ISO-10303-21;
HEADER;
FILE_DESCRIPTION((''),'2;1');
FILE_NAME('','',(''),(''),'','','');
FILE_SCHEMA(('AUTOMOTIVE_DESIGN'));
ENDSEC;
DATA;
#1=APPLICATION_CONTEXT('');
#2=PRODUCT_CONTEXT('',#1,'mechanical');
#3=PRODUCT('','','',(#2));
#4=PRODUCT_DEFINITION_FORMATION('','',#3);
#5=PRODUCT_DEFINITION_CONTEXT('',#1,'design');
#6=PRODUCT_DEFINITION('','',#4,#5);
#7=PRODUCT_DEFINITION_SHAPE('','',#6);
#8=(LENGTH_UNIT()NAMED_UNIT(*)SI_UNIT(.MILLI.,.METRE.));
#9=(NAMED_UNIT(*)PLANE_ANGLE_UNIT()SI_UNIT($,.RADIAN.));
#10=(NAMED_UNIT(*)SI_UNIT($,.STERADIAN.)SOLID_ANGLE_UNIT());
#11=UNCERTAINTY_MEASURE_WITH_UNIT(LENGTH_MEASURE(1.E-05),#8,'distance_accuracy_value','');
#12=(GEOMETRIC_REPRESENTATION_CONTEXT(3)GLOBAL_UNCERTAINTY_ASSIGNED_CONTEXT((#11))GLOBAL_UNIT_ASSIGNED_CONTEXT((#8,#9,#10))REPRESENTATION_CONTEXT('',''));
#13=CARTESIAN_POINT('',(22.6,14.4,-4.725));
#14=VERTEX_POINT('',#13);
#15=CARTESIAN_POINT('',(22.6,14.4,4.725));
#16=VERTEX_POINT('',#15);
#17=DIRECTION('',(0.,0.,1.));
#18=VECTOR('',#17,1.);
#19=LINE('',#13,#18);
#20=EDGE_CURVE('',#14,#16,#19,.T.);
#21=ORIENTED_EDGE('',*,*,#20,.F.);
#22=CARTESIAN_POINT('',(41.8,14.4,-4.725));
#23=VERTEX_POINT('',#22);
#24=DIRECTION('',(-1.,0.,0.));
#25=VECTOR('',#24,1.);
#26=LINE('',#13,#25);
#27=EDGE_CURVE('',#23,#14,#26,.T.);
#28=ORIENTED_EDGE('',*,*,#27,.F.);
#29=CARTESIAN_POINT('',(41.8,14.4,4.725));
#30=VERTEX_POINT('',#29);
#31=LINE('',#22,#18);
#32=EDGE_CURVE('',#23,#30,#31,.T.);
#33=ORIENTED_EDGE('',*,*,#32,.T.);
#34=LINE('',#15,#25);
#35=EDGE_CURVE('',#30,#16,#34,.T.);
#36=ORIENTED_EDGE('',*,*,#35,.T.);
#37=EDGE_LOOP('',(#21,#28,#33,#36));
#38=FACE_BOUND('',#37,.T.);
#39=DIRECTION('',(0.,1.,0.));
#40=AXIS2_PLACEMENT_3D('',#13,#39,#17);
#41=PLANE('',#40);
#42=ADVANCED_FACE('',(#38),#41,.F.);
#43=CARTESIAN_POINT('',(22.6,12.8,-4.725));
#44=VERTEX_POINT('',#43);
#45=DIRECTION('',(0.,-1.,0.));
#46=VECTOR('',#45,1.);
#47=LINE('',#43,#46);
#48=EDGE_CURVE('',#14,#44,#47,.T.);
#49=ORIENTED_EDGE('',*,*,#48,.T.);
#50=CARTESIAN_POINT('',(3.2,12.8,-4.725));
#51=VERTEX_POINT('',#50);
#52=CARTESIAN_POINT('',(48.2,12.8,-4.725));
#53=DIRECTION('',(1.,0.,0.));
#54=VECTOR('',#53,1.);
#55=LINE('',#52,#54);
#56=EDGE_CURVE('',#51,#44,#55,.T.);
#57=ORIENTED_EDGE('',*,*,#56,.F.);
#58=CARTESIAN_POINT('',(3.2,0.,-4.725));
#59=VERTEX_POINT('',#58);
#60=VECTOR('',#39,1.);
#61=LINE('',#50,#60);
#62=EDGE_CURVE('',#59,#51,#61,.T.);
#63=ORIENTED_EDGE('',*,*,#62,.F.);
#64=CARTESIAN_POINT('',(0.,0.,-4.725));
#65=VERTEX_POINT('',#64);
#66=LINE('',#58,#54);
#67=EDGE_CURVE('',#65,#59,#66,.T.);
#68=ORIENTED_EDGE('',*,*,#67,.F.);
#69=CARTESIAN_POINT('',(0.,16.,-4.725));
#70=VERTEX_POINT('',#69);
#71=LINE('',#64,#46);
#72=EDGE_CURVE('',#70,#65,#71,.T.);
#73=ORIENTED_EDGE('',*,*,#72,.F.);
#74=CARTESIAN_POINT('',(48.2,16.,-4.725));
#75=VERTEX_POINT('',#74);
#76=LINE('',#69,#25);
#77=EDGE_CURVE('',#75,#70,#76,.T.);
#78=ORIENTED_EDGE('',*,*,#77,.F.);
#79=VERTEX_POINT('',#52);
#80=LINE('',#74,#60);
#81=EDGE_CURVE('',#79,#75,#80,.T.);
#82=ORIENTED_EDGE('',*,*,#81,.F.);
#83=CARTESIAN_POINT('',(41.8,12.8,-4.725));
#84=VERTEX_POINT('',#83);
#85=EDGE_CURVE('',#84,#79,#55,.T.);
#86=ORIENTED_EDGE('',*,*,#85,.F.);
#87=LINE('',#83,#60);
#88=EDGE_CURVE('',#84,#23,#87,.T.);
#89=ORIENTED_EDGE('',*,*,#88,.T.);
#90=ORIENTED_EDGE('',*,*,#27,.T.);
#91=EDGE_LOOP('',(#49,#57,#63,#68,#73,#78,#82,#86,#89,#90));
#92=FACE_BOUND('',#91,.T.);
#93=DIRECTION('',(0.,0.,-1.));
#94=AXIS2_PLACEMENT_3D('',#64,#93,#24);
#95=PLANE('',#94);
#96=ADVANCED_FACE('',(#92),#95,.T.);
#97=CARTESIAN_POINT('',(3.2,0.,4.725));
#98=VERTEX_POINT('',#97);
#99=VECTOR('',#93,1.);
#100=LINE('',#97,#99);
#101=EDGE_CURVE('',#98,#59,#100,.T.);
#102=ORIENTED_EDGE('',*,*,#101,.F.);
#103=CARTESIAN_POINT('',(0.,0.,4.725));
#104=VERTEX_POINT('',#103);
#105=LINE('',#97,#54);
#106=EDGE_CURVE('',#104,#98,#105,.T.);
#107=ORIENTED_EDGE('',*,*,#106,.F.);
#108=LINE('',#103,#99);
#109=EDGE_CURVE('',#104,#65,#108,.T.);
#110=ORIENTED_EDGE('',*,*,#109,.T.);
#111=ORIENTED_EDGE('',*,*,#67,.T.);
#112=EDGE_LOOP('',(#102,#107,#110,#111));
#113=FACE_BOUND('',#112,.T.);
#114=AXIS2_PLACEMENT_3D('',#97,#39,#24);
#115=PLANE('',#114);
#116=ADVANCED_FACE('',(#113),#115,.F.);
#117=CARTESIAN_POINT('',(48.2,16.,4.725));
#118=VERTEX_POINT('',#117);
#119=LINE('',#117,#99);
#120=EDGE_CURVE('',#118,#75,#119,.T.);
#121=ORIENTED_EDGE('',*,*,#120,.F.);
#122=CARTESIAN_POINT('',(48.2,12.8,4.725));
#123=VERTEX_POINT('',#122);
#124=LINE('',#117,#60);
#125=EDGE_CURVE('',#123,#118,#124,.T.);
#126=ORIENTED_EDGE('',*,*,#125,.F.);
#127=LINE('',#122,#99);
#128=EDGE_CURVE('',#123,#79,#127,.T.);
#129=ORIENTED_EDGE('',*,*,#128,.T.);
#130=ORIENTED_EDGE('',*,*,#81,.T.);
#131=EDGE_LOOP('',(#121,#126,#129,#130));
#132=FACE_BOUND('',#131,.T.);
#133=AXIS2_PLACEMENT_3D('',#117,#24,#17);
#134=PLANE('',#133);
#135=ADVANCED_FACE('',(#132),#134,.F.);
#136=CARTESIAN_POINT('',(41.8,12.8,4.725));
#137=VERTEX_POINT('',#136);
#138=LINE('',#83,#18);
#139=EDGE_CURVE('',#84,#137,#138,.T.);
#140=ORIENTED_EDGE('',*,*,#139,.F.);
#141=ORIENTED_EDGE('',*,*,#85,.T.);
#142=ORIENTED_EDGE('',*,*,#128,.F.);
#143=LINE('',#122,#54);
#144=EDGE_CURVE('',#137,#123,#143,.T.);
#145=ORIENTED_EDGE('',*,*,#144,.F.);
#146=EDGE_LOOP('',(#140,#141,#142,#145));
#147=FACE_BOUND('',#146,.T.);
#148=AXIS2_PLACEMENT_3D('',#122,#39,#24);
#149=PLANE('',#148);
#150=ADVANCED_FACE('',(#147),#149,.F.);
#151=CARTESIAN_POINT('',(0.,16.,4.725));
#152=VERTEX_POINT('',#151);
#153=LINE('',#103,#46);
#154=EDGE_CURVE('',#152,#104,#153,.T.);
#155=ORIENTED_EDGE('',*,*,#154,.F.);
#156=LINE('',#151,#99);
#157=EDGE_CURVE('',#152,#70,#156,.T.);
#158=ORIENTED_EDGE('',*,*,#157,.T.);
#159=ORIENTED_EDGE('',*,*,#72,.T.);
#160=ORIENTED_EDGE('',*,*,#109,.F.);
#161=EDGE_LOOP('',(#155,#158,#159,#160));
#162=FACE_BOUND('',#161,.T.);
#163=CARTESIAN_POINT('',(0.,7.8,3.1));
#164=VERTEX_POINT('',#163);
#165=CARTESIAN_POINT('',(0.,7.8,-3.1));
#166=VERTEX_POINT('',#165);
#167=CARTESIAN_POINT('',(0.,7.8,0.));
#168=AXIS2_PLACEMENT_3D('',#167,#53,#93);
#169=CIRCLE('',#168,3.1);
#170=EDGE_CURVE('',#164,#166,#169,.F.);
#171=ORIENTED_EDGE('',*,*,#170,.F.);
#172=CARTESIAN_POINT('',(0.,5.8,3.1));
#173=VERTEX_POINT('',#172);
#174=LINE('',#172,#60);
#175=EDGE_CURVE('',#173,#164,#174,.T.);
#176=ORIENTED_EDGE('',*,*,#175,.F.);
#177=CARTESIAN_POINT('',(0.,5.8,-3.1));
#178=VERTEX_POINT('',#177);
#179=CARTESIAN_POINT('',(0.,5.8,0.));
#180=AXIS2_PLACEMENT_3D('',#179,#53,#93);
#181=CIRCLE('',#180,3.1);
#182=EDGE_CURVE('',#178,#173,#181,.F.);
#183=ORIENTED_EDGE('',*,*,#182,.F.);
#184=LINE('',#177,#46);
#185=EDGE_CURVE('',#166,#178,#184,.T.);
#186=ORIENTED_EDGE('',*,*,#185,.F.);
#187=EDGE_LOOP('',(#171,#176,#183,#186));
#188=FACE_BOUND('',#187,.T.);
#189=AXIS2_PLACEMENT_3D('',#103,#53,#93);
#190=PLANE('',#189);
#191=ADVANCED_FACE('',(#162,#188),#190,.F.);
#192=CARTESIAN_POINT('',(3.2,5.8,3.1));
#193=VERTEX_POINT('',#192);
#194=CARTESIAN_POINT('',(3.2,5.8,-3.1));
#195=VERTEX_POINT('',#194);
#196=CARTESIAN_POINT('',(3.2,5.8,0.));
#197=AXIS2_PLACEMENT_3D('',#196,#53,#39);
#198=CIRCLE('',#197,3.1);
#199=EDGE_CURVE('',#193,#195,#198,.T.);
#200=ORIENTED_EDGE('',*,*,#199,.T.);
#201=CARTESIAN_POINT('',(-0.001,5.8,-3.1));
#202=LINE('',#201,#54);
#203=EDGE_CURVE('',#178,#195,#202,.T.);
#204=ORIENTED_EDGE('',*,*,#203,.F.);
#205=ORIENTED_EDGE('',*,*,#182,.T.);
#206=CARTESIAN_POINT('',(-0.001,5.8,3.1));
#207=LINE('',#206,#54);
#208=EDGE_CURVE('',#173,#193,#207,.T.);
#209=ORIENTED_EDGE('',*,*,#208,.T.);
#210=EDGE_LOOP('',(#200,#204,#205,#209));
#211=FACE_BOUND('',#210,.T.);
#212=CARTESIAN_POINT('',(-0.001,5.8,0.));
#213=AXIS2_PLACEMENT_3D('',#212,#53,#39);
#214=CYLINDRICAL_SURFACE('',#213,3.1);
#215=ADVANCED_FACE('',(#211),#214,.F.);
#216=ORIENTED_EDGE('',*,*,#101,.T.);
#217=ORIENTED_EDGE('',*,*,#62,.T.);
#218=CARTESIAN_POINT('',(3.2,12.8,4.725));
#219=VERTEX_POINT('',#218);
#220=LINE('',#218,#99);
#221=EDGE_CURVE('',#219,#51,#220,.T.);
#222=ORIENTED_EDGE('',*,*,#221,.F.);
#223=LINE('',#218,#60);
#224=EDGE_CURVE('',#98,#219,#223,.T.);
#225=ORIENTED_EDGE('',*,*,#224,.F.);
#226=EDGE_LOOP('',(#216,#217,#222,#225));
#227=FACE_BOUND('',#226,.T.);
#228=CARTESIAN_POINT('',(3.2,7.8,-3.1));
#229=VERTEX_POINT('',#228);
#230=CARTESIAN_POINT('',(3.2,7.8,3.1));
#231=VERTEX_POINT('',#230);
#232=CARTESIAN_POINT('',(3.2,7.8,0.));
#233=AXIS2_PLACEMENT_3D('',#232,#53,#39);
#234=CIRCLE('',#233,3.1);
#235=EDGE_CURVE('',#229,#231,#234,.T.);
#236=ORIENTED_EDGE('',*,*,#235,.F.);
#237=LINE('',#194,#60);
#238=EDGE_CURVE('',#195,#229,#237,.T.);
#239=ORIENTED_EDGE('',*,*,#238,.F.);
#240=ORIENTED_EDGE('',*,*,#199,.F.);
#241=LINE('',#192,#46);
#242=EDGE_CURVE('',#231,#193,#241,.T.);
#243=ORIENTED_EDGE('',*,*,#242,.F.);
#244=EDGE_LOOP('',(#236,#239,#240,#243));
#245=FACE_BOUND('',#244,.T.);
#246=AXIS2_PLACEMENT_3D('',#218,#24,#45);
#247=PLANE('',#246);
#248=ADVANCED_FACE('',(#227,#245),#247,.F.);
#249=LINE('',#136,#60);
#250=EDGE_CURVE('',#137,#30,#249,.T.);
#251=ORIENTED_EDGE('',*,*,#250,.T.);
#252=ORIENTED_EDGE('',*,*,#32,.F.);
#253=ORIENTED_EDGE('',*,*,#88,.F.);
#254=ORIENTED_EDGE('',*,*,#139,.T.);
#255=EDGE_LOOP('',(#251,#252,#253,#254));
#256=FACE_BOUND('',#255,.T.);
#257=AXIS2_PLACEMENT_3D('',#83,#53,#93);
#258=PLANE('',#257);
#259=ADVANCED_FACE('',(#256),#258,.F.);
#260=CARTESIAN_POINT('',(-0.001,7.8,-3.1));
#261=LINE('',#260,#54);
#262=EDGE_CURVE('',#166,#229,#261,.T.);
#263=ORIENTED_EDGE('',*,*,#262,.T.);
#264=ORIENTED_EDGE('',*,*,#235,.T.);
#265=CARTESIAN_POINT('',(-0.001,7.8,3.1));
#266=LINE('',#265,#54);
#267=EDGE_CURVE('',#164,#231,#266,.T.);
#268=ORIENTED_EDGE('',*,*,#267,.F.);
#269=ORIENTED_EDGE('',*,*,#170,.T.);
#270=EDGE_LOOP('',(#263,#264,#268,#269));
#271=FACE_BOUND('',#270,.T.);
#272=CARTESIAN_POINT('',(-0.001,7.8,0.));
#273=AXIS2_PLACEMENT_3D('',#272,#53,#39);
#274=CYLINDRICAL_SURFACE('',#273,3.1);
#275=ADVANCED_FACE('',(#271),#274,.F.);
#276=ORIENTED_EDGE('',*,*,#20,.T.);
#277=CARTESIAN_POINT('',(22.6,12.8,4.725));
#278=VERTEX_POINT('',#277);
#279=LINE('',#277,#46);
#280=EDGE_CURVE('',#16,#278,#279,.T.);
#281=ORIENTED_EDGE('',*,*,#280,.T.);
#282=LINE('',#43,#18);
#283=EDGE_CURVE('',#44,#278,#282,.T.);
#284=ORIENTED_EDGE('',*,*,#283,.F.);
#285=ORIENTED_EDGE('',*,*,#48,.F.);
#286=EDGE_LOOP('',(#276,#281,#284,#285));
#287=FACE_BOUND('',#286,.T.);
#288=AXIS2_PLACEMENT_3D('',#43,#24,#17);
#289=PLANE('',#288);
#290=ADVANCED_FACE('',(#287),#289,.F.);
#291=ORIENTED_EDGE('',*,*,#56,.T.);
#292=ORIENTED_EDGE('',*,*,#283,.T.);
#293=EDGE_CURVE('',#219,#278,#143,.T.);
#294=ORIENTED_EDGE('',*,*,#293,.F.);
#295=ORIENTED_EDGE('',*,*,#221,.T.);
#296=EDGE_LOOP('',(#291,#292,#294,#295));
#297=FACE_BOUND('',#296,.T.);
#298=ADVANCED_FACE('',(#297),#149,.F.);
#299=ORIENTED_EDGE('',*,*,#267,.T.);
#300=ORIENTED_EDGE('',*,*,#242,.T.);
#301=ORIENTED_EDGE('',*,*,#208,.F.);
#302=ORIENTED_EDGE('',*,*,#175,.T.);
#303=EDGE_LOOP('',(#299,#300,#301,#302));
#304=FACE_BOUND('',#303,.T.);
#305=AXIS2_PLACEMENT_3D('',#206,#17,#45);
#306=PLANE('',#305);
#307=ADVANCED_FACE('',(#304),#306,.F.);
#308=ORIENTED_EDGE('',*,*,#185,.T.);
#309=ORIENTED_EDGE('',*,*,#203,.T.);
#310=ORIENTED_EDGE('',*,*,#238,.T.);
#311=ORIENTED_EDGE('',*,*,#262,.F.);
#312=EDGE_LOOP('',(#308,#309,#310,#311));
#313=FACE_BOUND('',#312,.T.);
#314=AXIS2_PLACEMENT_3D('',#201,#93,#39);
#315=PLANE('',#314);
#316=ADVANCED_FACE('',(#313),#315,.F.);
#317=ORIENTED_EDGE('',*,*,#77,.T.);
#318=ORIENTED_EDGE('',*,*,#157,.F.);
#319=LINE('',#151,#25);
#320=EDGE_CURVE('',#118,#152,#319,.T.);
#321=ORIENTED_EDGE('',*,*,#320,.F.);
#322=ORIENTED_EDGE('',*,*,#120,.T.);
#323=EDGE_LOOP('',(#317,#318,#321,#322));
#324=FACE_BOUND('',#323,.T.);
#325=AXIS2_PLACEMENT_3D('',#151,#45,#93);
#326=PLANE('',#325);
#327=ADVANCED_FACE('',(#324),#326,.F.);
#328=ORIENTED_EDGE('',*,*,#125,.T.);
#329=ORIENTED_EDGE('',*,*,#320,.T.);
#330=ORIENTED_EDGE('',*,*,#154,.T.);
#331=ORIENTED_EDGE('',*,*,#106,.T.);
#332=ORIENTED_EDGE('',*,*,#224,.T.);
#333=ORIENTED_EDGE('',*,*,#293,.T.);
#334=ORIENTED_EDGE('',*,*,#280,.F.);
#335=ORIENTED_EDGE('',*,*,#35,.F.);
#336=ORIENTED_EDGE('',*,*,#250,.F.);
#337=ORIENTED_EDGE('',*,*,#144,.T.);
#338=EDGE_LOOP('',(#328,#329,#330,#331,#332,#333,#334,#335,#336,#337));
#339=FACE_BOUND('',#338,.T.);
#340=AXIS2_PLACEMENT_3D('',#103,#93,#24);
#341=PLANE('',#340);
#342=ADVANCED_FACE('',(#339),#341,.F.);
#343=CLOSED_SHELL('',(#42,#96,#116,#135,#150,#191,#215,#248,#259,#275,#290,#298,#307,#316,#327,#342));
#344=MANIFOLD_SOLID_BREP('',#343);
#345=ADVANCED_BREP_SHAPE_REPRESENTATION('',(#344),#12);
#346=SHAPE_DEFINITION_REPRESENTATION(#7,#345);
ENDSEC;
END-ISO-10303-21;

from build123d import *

# Parameters (mm, degrees)
BOSS_EXTRUDE1_DEPTH = 4.725
SKETCH2_W           = 19.2
SKETCH2_H           = 1.6
CUT_EXTRUDE1_DEPTH  = 4.725
CUT_EXTRUDE2_REACH  = 49.993


with BuildPart() as part:
    # Sketch1 → Boss-Extrude1 (new, symmetric)
    with BuildSketch(Plane.XY):
        Polygon((0, 0), (0, 16), (48.2, 16), (48.2, 12.8), (3.2, 12.8), (3.2, 0), align=None)
    extrude(amount=BOSS_EXTRUDE1_DEPTH, both=True)

    # Sketch2 → Cut-Extrude1 (cut, symmetric)
    with BuildSketch(Plane.XY):
        with Locations((32.2, 13.6)):
            Rectangle(SKETCH2_W, SKETCH2_H)
    extrude(amount=CUT_EXTRUDE1_DEPTH, both=True, mode=Mode.SUBTRACT)

    # Sketch3 → Cut-Extrude2 (cut, up to next)
    with BuildSketch(Plane(origin=(3.2, 0, 0), x_dir=(0, 0, -1), z_dir=(1, 0, 0)), mode=Mode.PRIVATE) as cut_extrude2_sk1:
        with BuildLine():
            Line((-3.1, 5.8), (-3.1, 7.8))
            ThreePointArc((-3.1, 7.8), (0, 10.9), (3.1, 7.8))
            Line((3.1, 7.8), (3.1, 5.8))
            ThreePointArc((3.1, 5.8), (0, 2.7), (-3.1, 5.8))
        make_face()
    cut_extrude2_tool1 = extrude(cut_extrude2_sk1.sketch, amount=-CUT_EXTRUDE2_REACH, mode=Mode.PRIVATE) & part.part
    add(cut_extrude2_tool1.solids().sort_by_distance((3.2, 6.8, 0))[0], mode=Mode.SUBTRACT)


solid = part.part
